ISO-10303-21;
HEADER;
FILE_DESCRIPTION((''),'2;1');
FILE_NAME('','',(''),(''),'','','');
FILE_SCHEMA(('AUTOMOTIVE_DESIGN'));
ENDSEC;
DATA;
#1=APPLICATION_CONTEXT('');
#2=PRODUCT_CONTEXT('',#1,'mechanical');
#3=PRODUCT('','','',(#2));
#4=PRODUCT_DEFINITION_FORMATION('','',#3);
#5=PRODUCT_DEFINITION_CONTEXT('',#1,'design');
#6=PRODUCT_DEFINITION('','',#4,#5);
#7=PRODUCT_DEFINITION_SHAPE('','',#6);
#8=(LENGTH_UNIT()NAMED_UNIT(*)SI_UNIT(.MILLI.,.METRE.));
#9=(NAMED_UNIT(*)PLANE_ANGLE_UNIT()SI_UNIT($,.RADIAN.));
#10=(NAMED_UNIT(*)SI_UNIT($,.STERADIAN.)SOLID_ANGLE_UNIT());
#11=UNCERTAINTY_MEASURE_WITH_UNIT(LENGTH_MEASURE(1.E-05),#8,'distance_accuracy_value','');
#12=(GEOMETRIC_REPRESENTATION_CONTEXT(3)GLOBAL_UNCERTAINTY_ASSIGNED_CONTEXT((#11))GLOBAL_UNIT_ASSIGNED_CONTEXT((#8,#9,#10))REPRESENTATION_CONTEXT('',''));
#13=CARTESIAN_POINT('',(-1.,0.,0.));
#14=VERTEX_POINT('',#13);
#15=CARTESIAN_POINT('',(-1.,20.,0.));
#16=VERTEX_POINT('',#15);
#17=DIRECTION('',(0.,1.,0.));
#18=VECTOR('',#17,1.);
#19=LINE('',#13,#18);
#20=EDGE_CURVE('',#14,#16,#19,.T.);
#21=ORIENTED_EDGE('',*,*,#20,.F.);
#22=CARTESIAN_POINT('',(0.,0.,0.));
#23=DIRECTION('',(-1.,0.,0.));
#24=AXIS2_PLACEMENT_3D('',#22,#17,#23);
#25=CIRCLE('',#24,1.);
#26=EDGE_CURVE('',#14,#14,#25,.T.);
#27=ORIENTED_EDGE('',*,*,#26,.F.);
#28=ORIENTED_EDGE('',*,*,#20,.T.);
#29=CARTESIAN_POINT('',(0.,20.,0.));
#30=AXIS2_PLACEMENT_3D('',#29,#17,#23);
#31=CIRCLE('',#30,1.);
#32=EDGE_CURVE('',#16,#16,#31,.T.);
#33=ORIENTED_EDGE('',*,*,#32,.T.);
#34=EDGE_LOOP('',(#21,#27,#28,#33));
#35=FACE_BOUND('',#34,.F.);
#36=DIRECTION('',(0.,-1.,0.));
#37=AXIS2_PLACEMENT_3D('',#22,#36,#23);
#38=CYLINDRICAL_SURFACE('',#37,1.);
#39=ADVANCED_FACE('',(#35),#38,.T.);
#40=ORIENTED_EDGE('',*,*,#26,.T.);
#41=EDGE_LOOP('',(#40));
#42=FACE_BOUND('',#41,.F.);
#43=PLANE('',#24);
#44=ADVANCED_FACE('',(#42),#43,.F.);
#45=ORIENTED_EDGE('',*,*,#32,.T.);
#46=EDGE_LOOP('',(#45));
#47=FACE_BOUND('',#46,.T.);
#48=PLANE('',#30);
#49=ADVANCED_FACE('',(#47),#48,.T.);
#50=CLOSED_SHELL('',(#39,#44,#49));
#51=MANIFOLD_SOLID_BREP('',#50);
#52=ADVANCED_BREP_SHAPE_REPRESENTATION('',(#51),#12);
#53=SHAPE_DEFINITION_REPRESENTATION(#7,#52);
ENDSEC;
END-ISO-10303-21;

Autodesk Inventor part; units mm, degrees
ref_plane "YZ Plane" through (0, 0, 0) normal (1, 0, 0) x (0, 1, 0)
ref_plane "XZ Plane" through (0, 0, 0) normal (0, 1, 0) x (-1, 0, 0)
ref_plane "XY Plane" through (0, 0, 0) normal (0, 0, 1) x (1, 0, 0)
sketch "スケッチ1" plane through (0, 0, 0) normal (0, 1, 0) x (-1, 0, 0)
  circle A0 centre (0, 0) radius 1
  dimension "d0" = 2
extrude "押し出し1" add sketch "スケッチ1" along normal blind 20
properties part number "gear_shaft1" material "CFRP"
